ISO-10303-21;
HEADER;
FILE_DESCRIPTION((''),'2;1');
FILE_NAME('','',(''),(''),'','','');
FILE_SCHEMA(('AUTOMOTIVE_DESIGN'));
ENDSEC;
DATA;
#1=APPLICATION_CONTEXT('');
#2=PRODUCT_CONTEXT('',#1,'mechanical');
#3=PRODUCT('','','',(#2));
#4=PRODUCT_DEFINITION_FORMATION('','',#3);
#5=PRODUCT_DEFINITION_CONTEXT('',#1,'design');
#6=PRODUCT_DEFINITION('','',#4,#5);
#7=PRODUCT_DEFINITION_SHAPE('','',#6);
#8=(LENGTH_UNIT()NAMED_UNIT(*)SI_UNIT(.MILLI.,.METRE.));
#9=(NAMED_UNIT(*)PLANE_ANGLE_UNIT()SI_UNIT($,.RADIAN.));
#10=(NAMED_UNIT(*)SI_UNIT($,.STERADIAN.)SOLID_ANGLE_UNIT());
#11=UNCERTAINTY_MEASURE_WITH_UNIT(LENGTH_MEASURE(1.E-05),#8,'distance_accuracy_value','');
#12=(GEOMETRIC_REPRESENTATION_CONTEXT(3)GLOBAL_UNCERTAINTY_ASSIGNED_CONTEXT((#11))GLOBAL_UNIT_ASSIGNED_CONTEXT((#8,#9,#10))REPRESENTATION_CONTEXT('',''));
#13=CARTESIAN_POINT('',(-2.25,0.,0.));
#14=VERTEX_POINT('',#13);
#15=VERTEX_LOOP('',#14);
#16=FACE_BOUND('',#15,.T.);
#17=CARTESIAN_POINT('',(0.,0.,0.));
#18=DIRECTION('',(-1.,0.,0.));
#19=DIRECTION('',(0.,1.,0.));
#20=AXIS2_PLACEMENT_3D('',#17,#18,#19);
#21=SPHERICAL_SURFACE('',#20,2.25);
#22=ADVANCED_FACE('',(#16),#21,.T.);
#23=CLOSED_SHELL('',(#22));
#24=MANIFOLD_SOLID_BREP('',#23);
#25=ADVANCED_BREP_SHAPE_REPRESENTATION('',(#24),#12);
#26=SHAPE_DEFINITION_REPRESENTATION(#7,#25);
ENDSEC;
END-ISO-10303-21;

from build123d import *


with BuildPart() as part:
    # Sketch1 → Revolve1 (revolve)
    with BuildSketch(Plane.XY):
        with BuildLine():
            Line((-2.25, 0), (2.25, 0))
            ThreePointArc((2.25, 0), (0, -2.25), (-2.25, 0))
        make_face()
    revolve(axis=Axis((-2.25, 0, 0), (1, 0, 0)))


solid = part.part
